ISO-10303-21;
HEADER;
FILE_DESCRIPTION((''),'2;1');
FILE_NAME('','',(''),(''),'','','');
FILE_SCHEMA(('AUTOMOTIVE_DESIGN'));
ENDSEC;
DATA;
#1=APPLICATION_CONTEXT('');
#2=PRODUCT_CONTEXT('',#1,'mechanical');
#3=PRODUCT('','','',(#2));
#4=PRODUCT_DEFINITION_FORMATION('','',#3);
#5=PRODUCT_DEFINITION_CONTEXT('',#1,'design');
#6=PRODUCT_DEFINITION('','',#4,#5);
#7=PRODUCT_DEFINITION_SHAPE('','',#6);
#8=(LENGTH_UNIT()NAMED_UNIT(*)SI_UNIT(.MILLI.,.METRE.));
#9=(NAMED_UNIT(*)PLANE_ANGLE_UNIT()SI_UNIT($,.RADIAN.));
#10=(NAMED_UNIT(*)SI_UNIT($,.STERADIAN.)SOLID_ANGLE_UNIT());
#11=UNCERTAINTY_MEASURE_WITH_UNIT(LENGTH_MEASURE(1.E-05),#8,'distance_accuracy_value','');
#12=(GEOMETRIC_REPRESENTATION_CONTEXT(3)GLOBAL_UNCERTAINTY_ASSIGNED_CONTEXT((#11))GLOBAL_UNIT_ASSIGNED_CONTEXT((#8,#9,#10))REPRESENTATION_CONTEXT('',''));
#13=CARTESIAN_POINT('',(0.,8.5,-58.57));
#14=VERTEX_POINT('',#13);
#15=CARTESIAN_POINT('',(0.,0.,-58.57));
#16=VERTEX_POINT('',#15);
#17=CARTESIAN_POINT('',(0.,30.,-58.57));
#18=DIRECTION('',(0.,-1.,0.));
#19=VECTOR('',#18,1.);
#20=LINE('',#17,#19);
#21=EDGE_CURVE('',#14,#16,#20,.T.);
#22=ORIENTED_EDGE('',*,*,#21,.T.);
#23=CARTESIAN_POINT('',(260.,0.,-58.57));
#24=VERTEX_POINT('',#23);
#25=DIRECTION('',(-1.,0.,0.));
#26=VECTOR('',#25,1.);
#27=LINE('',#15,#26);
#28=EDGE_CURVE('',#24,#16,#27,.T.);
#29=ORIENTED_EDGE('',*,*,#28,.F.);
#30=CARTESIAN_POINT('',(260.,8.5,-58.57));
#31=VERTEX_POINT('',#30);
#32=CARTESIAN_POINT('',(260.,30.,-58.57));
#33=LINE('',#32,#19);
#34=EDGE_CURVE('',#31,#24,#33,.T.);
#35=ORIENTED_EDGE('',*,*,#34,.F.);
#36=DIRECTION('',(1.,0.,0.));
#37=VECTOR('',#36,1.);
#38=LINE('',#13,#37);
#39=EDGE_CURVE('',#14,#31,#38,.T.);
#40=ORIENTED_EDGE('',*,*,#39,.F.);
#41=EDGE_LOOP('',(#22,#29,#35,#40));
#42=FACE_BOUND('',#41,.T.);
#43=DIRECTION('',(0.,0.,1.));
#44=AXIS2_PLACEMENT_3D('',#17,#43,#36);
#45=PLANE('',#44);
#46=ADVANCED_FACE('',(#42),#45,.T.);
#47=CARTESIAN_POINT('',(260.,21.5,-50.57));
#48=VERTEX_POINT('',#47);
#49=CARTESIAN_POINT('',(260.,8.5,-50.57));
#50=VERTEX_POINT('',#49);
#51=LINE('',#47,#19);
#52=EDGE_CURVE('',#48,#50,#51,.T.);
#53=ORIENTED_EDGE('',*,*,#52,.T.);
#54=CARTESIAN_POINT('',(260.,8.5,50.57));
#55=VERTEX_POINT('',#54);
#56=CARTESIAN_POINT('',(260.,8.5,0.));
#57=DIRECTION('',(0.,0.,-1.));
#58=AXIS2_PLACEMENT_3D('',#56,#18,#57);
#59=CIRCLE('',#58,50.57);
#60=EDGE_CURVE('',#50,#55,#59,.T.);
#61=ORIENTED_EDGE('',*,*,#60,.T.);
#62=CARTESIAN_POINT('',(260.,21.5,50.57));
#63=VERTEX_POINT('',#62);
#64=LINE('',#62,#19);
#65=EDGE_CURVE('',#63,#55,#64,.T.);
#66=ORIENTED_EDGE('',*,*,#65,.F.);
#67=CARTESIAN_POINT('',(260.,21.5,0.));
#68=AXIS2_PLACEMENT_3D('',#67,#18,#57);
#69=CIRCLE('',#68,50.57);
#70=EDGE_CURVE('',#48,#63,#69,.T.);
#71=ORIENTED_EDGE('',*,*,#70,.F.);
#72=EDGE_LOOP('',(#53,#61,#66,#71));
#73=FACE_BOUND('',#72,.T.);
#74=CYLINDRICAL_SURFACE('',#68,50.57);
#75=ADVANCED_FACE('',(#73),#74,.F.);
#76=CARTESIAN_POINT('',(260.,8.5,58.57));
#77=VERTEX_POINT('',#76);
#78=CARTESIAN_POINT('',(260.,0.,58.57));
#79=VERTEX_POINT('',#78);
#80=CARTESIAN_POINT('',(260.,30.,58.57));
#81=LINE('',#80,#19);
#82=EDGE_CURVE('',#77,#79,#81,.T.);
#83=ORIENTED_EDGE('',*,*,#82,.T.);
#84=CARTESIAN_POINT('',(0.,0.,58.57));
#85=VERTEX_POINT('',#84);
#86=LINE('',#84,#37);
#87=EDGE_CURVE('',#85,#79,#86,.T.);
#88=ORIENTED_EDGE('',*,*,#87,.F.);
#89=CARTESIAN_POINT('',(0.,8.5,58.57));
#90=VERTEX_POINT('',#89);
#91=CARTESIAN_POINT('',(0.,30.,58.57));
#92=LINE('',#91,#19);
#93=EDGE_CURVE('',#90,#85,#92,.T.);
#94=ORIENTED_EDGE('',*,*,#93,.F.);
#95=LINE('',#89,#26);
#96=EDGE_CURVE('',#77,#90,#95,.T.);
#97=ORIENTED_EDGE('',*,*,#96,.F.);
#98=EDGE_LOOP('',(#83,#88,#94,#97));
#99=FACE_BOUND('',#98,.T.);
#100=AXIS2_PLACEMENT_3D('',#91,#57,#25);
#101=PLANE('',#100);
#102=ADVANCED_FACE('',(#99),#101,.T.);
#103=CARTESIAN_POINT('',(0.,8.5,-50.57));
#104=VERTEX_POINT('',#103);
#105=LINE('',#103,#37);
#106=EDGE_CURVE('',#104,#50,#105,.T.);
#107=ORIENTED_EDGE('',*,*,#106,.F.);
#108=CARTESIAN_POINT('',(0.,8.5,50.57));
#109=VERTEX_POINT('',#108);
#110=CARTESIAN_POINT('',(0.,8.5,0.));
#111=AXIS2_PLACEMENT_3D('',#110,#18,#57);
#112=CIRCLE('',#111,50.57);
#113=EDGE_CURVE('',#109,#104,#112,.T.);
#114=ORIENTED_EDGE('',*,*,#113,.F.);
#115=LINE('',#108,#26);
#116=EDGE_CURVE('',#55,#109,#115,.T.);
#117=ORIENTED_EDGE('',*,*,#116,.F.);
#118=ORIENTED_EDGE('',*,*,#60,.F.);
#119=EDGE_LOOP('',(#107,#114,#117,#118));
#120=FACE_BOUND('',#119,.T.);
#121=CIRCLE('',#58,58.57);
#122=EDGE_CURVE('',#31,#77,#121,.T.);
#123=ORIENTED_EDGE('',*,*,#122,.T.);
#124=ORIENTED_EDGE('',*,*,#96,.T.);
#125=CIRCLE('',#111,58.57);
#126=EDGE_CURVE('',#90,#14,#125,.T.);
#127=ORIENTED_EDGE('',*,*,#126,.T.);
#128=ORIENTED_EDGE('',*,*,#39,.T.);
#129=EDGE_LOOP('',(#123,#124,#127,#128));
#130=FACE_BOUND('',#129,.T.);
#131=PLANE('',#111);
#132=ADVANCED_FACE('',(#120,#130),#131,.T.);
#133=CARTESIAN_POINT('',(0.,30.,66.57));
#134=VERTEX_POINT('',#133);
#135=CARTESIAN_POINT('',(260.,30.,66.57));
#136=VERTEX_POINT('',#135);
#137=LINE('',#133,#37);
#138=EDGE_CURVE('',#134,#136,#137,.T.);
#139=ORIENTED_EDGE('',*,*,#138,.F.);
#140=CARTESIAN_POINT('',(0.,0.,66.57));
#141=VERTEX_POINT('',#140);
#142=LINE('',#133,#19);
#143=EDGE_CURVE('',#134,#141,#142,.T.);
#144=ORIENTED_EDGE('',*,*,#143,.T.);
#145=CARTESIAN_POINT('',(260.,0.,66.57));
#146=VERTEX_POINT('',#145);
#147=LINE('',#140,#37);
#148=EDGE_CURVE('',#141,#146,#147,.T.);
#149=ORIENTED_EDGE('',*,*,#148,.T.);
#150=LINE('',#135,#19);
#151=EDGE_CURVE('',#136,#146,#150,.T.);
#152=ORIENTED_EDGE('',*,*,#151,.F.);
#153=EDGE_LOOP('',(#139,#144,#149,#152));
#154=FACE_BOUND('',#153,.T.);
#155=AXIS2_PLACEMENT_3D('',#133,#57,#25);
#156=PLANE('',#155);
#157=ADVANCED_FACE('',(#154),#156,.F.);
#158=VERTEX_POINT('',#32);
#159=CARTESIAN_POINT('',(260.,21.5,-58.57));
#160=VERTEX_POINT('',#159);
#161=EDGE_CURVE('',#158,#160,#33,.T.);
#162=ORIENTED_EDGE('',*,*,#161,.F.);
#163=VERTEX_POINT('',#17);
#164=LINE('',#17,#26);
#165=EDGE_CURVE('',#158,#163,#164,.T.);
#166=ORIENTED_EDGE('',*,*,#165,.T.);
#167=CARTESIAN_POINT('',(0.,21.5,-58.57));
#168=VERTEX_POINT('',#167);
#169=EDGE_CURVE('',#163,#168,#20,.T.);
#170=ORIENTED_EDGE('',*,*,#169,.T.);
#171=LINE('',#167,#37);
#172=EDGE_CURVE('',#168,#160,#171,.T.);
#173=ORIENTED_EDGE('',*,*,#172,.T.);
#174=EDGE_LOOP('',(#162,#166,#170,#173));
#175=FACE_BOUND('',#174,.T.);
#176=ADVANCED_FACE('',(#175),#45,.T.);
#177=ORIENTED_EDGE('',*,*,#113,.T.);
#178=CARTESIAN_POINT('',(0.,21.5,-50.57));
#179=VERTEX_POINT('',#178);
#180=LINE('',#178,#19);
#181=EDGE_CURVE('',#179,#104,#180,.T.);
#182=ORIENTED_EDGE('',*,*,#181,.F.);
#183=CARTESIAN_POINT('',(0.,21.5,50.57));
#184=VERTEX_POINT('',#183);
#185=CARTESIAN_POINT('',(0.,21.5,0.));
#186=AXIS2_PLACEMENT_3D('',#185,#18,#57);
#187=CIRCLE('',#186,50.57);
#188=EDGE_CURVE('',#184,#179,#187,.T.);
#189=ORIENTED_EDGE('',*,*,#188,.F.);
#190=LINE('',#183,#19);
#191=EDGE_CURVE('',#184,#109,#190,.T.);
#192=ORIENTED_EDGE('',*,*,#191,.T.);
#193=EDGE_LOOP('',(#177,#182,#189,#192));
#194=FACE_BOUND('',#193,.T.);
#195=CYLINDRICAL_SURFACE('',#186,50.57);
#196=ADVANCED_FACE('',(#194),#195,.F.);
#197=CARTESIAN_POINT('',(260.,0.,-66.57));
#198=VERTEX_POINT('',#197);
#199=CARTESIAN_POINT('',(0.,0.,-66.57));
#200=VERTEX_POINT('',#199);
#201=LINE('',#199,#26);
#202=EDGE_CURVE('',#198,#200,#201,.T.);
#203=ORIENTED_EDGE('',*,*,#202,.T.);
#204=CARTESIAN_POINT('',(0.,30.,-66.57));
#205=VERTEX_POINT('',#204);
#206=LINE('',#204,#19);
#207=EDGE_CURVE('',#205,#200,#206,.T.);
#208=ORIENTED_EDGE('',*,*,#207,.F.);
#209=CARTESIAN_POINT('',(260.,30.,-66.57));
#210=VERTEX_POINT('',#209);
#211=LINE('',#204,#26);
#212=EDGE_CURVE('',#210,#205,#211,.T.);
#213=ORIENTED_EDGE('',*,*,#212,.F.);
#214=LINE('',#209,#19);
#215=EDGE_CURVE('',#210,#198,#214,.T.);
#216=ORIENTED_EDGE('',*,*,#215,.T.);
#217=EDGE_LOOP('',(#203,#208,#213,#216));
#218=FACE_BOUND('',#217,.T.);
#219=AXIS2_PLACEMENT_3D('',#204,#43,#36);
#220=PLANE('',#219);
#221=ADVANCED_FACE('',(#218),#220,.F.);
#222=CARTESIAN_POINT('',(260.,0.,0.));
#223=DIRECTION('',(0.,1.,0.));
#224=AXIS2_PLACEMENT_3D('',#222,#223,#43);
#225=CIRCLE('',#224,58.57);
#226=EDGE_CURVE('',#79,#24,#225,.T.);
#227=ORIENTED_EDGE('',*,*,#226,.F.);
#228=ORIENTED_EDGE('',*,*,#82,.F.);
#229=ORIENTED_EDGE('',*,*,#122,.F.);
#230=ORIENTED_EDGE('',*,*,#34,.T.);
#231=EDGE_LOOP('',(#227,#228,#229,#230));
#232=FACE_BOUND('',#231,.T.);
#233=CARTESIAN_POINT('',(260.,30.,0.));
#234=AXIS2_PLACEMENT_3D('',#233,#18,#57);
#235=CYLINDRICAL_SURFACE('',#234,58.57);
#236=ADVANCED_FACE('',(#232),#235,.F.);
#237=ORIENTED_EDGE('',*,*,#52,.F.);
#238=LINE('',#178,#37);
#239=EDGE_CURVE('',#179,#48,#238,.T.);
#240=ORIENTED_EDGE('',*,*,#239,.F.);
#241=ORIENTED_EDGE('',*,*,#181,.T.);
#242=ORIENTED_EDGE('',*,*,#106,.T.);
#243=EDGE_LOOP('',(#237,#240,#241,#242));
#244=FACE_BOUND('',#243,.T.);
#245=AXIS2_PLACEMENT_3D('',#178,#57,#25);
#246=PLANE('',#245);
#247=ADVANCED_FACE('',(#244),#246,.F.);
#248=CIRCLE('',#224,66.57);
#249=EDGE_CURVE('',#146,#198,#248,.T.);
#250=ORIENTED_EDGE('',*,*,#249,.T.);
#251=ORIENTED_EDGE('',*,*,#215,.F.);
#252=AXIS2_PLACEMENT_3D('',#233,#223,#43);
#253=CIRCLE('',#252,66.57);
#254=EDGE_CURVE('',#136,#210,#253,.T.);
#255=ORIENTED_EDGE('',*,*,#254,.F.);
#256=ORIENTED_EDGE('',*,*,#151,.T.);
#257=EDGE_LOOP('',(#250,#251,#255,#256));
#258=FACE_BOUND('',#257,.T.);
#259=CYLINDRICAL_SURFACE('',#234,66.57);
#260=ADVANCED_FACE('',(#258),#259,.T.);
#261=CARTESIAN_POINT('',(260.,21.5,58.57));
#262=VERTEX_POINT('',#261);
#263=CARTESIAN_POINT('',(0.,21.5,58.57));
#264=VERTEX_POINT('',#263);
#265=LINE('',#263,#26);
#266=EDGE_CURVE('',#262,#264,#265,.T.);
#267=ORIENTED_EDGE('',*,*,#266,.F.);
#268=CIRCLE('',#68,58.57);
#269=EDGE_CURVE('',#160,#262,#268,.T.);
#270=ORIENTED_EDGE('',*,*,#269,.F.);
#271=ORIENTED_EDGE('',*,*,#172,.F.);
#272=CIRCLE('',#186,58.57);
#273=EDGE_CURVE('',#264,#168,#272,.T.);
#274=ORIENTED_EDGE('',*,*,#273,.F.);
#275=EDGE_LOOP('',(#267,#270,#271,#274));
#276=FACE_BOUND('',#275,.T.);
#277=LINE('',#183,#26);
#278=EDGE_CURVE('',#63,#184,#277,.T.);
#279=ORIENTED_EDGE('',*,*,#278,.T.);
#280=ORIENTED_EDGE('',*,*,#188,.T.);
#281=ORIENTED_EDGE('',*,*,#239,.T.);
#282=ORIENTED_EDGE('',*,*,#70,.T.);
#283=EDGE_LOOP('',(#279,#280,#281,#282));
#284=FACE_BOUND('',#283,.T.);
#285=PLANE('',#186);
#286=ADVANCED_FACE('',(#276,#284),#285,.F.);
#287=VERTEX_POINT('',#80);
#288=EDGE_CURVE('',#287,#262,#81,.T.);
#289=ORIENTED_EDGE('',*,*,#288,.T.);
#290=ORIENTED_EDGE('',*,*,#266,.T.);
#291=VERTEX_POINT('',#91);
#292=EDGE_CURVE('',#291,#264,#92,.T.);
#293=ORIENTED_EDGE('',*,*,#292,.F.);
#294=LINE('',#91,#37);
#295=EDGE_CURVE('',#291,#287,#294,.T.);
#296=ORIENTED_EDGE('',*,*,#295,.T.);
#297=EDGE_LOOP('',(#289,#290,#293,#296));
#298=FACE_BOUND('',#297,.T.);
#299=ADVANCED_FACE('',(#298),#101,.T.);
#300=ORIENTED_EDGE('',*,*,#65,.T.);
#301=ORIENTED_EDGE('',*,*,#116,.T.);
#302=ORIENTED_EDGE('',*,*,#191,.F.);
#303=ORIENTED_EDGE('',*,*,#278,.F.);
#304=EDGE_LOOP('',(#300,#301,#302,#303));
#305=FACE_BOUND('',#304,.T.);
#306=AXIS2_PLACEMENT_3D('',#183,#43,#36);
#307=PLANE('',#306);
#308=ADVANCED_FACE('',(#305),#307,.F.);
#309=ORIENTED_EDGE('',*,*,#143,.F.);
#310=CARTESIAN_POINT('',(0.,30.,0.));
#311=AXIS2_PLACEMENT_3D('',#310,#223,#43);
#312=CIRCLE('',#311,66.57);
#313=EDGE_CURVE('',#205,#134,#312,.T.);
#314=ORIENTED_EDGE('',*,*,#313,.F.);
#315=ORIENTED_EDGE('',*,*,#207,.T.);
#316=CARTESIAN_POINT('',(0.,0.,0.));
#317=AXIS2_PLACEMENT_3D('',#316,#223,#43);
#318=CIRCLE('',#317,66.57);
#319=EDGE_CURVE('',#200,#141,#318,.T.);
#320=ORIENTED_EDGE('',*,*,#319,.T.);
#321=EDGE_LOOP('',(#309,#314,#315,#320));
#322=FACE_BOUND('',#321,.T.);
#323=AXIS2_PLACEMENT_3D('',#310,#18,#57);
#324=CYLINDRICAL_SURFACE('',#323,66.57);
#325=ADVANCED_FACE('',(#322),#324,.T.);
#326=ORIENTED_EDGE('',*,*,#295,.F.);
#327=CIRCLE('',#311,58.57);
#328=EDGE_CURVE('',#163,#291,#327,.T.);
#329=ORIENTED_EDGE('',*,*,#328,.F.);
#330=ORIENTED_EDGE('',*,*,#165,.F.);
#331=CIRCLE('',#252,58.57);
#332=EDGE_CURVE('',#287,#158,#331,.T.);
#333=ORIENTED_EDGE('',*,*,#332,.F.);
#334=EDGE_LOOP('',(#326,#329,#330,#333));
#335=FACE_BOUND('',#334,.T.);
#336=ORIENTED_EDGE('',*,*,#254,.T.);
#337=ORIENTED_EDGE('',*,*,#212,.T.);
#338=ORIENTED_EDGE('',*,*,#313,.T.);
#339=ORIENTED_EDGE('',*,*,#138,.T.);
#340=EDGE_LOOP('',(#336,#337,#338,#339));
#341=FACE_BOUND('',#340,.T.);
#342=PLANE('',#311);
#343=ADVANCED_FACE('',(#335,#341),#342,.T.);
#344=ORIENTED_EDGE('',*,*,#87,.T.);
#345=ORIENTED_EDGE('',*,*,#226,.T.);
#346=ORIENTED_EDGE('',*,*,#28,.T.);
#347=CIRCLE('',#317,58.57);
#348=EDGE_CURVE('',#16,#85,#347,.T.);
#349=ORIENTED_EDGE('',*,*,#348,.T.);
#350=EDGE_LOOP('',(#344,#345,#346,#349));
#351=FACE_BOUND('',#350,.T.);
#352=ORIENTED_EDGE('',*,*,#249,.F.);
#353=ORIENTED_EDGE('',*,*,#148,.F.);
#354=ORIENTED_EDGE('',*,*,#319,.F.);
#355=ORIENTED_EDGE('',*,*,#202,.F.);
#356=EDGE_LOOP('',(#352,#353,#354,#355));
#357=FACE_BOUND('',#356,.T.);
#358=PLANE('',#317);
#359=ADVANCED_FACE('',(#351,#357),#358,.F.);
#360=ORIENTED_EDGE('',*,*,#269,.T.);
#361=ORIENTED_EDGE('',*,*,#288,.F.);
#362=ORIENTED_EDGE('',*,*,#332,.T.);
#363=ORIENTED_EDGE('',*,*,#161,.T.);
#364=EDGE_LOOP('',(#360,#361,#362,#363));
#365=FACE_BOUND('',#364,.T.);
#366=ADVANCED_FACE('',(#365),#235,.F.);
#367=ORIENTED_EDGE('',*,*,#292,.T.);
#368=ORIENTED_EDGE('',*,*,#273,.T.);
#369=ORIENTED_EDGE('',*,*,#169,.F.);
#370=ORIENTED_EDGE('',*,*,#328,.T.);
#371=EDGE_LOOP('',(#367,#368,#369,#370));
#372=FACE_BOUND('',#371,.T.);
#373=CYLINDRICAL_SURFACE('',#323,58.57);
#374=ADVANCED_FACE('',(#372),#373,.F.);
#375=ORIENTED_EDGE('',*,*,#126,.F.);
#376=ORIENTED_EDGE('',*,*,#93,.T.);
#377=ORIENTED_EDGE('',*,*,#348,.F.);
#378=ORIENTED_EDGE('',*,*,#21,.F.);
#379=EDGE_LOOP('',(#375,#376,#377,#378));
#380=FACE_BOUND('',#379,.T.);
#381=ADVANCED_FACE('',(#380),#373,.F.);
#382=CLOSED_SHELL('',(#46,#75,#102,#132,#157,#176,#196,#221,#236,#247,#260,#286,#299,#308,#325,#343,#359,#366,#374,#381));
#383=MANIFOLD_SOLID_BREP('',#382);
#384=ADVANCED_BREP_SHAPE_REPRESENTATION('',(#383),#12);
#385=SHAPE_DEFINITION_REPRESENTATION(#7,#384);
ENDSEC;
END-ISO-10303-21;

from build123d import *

# Parameters (mm, degrees)
BOSS_EXTRUDE1_DEPTH      = 30
BOSS_EXTRUDE2_DEPTH      = 6.5
BOSS_EXTRUDE2_DEPTH_BACK = 6.5


with BuildPart() as part:
    # Sketch1 → Boss-Extrude1 (new body)
    with BuildSketch(Plane(origin=(0, 0, 0), x_dir=(1, 0, 0), z_dir=(0, 1, 0))):
        with BuildLine():
            Line((0, 66.57), (260, 66.57))
            ThreePointArc((260, 66.57), (326.57, 0), (260, -66.57))
            Line((260, -66.57), (0, -66.57))
            ThreePointArc((0, -66.57), (-66.57, 0), (0, 66.57))
        make_face()
        with BuildLine():
            Line((0, 58.57), (260, 58.57))
            ThreePointArc((260, 58.57), (318.57, 0), (260, -58.57))
            Line((260, -58.57), (0, -58.57))
            ThreePointArc((0, -58.57), (-58.57, 0), (0, 58.57))
        make_face(mode=Mode.SUBTRACT)
    extrude(amount=BOSS_EXTRUDE1_DEPTH)

    # Sketch2 → Boss-Extrude2 (add, two sides: drawn at the far end of the back side and taken through both)
    with BuildSketch(Plane(origin=(0, 15, 0), x_dir=(-1, 0, 0), z_dir=(0, -1, 0)).offset(-BOSS_EXTRUDE2_DEPTH_BACK)):
        with BuildLine():
            Line((0, -58.57), (-260, -58.57))
            ThreePointArc((-260, -58.57), (-318.57, 0), (-260, 58.57))
            Line((-260, 58.57), (0, 58.57))
            ThreePointArc((0, 58.57), (58.57, 0), (0, -58.57))
        make_face()
        with BuildLine():
            Line((0, -50.57), (-260, -50.57))
            ThreePointArc((-260, -50.57), (-310.57, 0), (-260, 50.57))
            Line((-260, 50.57), (0, 50.57))
            ThreePointArc((0, 50.57), (50.57, 0), (0, -50.57))
        make_face(mode=Mode.SUBTRACT)
    extrude(amount=BOSS_EXTRUDE2_DEPTH + BOSS_EXTRUDE2_DEPTH_BACK)


solid = part.part
